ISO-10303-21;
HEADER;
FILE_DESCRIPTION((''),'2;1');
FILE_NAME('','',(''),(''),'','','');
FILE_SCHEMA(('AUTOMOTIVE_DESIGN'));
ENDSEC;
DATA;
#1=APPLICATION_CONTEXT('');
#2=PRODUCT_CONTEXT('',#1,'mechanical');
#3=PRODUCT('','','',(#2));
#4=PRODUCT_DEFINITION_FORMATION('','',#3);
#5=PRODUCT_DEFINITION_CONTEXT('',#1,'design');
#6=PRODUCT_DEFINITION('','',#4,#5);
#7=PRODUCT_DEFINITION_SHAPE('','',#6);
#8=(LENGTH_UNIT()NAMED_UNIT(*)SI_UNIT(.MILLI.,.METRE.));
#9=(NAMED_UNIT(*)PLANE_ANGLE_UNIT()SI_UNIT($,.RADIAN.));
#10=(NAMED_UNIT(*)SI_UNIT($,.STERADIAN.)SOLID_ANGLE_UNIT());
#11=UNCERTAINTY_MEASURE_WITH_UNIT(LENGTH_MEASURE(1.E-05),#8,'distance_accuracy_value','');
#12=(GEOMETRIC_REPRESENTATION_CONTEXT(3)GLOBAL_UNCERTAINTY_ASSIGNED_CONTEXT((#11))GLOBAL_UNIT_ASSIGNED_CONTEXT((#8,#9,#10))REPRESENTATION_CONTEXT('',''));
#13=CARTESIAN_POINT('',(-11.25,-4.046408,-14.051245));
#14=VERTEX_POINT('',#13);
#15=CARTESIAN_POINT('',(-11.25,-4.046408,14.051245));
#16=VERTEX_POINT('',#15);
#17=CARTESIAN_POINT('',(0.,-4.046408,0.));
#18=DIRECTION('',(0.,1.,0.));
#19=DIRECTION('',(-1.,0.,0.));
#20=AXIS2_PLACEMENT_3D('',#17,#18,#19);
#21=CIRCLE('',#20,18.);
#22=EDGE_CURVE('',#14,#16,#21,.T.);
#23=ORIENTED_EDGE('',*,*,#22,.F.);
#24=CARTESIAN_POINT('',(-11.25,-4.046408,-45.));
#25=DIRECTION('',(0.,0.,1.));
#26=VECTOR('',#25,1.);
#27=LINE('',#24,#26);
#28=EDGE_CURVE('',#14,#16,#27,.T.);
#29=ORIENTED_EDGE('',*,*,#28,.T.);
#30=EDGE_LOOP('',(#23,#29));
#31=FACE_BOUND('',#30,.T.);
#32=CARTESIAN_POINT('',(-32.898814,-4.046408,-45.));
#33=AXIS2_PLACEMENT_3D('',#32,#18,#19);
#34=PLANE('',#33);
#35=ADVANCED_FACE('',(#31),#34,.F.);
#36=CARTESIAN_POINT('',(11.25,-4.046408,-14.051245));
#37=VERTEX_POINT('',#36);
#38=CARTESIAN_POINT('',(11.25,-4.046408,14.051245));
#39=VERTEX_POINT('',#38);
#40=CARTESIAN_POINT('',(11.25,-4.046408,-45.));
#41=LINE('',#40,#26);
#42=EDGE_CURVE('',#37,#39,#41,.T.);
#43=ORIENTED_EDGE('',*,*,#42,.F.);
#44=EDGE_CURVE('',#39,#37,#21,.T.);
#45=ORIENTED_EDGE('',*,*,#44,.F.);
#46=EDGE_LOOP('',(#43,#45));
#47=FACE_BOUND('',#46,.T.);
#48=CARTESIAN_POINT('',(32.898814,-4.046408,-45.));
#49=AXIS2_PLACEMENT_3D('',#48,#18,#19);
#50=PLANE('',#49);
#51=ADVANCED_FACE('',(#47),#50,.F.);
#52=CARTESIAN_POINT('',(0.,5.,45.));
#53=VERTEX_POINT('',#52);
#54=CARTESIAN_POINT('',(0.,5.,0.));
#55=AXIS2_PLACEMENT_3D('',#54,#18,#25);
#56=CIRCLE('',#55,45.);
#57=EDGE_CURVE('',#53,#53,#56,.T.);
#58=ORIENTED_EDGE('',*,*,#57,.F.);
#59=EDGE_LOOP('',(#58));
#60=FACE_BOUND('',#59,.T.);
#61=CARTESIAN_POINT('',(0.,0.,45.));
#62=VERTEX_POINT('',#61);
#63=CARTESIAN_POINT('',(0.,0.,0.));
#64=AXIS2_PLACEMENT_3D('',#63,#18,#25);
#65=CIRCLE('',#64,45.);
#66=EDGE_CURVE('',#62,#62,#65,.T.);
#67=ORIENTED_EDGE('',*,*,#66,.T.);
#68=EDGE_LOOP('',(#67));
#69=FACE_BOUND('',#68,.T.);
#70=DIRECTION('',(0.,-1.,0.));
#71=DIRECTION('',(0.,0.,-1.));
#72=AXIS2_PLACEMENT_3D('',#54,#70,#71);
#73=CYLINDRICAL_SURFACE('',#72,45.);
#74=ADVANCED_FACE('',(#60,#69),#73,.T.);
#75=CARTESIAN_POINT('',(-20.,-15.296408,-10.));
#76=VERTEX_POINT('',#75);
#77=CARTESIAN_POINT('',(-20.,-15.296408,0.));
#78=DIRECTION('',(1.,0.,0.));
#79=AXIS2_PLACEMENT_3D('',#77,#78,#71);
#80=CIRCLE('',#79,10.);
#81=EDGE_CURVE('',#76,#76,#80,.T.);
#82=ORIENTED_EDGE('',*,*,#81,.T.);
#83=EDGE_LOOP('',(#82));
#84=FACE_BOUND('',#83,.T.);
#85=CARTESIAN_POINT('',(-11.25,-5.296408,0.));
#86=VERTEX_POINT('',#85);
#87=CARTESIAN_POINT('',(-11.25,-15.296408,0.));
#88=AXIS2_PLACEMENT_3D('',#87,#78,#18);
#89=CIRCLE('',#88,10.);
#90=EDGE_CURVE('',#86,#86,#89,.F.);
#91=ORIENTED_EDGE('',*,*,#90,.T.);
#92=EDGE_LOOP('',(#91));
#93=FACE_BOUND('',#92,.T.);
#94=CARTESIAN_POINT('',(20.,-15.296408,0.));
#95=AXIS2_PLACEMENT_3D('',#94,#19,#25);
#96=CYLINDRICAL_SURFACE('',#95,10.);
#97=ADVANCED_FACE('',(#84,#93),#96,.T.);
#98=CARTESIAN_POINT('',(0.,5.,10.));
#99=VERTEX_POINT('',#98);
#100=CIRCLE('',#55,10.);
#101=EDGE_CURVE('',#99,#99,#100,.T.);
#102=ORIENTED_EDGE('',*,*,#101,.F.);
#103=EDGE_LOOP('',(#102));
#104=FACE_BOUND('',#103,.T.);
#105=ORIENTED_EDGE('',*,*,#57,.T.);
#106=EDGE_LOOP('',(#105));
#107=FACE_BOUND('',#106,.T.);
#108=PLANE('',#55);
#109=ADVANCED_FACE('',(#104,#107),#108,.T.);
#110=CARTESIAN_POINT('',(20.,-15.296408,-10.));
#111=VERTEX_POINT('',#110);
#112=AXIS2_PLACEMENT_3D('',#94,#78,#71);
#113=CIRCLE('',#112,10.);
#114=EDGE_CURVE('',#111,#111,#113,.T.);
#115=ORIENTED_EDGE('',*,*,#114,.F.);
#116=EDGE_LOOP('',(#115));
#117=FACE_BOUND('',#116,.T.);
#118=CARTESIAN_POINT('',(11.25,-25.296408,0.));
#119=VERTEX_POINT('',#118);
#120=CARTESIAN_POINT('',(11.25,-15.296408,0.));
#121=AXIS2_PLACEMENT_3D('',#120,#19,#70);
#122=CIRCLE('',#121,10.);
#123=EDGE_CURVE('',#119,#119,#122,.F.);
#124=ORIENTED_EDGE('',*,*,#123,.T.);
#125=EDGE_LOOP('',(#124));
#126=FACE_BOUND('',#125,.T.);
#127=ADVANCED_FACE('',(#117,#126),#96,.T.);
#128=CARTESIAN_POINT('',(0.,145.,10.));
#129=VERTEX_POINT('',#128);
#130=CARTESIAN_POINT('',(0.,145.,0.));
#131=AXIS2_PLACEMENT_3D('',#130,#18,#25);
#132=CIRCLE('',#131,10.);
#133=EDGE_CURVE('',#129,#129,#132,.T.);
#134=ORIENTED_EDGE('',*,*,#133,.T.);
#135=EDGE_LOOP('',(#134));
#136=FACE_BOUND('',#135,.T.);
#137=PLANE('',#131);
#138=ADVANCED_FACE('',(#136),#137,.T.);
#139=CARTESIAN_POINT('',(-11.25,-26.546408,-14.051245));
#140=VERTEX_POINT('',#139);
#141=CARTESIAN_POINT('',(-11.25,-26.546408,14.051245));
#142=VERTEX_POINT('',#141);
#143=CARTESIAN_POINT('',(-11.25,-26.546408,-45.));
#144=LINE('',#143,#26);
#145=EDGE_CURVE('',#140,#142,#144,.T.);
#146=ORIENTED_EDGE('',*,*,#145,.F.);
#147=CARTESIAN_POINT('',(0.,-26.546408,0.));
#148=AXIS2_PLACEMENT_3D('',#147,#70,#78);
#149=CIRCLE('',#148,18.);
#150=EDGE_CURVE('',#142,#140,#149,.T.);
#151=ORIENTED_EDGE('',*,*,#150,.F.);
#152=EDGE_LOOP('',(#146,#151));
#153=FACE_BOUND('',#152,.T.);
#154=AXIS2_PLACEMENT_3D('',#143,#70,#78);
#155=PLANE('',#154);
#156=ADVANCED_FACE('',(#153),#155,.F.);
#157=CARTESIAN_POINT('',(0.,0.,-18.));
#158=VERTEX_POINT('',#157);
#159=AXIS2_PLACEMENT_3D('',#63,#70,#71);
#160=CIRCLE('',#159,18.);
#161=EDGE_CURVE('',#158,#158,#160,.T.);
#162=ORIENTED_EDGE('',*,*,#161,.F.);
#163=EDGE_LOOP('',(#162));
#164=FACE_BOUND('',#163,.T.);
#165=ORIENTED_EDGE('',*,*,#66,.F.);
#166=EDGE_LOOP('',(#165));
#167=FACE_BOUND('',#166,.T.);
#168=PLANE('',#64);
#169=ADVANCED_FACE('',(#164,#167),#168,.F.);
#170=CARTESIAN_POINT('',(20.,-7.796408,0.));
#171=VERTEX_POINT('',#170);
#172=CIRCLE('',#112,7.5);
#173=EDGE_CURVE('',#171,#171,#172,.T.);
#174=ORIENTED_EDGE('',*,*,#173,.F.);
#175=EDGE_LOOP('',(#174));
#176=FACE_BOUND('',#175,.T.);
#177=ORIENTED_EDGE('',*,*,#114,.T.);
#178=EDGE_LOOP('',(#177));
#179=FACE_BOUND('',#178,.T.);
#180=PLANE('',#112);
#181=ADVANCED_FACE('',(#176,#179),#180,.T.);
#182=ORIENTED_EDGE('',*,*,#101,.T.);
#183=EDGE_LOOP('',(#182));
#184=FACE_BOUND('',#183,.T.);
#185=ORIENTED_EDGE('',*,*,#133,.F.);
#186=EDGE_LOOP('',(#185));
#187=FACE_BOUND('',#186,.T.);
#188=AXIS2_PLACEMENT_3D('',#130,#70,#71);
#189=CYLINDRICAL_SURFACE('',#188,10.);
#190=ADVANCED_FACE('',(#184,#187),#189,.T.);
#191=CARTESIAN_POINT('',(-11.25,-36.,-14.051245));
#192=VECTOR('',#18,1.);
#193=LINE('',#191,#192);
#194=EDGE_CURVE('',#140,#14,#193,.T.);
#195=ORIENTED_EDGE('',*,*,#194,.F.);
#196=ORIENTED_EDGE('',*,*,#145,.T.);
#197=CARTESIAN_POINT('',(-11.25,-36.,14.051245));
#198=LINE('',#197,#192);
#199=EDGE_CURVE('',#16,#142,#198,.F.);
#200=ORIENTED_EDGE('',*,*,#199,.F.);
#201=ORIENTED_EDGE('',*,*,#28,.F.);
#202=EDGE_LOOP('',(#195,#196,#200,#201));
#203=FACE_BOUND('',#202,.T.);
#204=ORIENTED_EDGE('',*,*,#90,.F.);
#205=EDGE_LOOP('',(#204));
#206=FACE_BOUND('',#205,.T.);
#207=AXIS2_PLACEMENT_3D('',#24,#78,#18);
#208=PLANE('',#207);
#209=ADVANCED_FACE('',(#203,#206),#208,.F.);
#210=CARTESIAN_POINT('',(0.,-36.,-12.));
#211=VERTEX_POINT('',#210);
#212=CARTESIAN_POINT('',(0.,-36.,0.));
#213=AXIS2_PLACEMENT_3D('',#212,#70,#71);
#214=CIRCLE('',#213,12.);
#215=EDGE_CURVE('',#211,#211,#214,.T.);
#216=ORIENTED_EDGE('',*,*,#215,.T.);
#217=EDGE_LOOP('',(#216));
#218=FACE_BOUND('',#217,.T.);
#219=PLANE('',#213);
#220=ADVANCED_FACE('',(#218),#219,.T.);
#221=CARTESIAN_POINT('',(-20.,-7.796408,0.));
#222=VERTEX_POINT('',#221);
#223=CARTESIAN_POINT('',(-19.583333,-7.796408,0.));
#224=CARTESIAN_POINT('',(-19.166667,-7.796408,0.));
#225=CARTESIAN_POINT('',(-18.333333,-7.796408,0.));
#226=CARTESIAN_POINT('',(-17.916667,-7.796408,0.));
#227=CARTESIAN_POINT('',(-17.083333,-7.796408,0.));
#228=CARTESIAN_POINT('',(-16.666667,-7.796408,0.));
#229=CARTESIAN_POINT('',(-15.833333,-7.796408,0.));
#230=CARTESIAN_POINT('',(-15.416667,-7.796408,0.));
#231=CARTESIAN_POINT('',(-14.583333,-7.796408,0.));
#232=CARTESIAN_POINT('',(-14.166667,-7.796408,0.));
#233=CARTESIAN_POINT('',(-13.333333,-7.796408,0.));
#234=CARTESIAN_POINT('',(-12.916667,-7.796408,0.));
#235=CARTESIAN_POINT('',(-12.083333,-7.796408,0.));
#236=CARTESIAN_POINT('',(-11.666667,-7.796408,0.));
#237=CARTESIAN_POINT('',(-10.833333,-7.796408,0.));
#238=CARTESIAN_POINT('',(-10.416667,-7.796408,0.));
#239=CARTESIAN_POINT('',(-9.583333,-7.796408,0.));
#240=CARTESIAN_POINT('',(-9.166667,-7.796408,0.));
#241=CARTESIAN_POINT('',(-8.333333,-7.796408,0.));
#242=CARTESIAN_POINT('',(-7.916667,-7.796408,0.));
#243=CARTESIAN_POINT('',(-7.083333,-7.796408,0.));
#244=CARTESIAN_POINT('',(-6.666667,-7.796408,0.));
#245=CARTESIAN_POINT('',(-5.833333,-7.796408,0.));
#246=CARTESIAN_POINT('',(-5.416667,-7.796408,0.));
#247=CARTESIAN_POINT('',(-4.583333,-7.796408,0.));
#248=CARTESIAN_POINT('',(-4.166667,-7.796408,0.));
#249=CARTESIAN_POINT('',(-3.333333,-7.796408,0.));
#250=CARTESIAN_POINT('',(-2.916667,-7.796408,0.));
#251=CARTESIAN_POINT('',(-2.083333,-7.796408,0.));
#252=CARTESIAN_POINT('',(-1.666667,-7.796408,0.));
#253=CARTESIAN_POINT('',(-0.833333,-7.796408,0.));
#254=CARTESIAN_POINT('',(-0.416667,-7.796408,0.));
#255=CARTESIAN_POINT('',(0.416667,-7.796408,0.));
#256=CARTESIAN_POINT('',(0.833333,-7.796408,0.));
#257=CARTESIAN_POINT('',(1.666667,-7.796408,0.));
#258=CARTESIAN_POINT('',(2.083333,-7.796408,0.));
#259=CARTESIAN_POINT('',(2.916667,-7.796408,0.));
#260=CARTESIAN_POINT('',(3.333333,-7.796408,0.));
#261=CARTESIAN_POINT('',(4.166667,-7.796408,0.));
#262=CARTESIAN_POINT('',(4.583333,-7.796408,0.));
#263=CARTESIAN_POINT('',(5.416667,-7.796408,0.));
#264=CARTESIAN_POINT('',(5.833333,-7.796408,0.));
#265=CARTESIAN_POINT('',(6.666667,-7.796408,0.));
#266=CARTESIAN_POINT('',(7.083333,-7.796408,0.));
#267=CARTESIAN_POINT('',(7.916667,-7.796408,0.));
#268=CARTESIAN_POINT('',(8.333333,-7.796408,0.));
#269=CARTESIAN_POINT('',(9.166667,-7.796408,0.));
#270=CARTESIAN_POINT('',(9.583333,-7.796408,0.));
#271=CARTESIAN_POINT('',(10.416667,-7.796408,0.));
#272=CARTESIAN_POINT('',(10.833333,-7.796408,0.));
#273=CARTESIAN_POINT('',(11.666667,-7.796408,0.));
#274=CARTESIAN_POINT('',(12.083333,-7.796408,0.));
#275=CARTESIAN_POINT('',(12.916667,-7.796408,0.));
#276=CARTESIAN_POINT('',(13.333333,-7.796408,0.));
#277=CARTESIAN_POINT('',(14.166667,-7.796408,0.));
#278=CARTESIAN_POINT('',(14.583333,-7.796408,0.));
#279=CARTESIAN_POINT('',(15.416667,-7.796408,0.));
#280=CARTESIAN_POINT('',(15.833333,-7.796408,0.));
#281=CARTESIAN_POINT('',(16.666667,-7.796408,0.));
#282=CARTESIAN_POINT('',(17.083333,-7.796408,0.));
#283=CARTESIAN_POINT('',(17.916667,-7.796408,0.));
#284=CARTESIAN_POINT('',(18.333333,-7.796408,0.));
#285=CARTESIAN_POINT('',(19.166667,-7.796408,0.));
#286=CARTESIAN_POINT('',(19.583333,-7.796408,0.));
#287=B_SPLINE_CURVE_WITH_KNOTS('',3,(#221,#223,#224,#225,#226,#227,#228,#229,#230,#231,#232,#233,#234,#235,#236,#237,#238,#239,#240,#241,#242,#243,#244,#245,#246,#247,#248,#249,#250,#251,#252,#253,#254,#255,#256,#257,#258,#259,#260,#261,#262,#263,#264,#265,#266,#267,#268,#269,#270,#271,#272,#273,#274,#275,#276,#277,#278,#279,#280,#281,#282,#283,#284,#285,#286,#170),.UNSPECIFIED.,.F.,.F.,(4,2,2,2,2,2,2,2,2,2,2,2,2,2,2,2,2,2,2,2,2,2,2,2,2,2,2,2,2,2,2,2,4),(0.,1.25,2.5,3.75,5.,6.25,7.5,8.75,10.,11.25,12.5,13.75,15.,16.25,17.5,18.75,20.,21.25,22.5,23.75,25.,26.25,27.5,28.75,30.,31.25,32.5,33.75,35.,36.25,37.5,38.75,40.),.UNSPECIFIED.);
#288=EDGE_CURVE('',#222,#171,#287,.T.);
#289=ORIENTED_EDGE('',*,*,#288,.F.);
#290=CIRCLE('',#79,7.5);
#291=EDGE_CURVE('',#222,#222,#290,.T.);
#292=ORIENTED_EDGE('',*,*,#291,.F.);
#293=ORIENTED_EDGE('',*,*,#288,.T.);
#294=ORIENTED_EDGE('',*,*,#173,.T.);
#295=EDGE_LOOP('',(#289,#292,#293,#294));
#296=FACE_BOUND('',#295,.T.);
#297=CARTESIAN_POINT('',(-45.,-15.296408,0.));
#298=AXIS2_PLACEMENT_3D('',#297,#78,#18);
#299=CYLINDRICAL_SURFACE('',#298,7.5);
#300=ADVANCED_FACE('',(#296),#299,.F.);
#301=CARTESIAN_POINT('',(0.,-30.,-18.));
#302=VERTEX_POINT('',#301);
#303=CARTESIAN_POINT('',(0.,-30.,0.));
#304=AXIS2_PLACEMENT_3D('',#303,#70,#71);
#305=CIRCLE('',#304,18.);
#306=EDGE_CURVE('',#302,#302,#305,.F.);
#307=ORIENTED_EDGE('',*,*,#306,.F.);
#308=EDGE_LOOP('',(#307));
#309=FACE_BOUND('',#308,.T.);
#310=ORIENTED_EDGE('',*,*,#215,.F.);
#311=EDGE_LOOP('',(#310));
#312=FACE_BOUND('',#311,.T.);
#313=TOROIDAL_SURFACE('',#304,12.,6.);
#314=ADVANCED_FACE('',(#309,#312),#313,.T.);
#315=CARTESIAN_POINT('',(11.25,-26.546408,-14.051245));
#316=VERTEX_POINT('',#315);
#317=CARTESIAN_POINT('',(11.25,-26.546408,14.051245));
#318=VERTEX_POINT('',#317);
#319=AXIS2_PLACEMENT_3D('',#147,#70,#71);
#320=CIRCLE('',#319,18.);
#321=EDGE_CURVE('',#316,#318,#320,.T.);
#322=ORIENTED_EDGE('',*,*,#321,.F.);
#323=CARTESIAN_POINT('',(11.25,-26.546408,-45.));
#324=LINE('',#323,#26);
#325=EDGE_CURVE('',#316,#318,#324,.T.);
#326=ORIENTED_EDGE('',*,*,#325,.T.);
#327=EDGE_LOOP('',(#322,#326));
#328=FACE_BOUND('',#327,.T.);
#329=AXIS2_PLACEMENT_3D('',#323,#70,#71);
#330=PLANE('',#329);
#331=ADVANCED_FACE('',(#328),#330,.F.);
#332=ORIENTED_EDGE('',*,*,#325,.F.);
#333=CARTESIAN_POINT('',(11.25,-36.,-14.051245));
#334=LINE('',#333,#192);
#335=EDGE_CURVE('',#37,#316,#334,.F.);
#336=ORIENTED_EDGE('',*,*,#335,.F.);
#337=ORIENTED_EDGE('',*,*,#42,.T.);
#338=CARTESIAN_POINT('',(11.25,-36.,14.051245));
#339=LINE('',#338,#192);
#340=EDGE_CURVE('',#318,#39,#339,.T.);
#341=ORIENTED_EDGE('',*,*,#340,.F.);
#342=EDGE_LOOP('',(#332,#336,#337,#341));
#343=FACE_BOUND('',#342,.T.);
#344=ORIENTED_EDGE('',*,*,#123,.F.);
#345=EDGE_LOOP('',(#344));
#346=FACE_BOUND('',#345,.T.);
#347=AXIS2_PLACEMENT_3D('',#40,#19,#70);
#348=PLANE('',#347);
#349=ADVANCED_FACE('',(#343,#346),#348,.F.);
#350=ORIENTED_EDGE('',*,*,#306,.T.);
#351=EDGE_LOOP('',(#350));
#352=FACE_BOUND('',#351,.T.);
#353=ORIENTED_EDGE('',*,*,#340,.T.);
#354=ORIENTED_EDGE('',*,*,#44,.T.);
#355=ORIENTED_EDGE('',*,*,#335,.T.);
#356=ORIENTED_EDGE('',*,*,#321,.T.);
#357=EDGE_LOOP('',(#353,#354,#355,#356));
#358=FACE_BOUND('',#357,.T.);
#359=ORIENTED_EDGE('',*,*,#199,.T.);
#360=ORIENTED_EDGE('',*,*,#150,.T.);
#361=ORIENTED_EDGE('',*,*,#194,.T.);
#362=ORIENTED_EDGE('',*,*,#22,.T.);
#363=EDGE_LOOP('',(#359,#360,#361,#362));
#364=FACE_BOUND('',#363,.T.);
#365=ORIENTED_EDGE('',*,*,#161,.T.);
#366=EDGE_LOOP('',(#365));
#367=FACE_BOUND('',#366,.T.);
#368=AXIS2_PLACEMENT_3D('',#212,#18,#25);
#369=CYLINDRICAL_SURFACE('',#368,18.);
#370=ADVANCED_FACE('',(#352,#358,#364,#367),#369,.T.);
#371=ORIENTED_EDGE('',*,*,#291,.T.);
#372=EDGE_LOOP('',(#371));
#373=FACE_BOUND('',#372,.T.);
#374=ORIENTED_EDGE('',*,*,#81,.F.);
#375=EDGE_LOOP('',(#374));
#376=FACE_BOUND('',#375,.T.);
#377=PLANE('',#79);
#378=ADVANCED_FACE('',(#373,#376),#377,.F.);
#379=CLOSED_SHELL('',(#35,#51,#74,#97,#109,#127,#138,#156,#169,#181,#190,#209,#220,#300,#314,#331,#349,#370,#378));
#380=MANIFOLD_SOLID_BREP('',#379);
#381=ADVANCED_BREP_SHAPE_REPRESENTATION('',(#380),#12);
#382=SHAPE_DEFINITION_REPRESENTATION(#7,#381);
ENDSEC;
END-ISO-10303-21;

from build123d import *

# Parameters (mm, degrees)
SKETCH1_R               = 45
BOSS_EXTRUDE1_DEPTH     = 5
SKETCH2_R               = 10
BOSS_EXTRUDE2_DEPTH     = 140
SKETCH3_R               = 18
BOSS_EXTRUDE3_DEPTH     = 36
FILLET1_R               = 6
CUT_EXTRUDE1_DEPTH      = 159.350876221
CUT_EXTRUDE1_DEPTH_BACK = 159.350876221
SKETCH4_W               = 21.648814377
SKETCH4_H               = 22.5
SKETCH5_R               = 7.5
CUT_EXTRUDE2_DEPTH      = 162.907573943
SKETCH7_R               = 10
SKETCH7_R_2             = 7.5
BOSS_EXTRUDE4_DEPTH     = 20


with BuildPart() as part:
    # Sketch1 → Boss-Extrude1 (new body)
    with BuildSketch(Plane(origin=(0, 0, 0), x_dir=(1, 0, 0), z_dir=(0, 1, 0))):
        with Locations(Location((0, 0, 0), (0, 0, 270))):
            Circle(SKETCH1_R)
    extrude(amount=BOSS_EXTRUDE1_DEPTH)

    # Sketch2 → Boss-Extrude2 (add)
    with BuildSketch(Plane(origin=(0, 5, 0), x_dir=(1, 0, 0), z_dir=(0, 1, 0))):
        with Locations(Location((0, 0, 0), (0, 0, 270))):
            Circle(SKETCH2_R)
    extrude(amount=BOSS_EXTRUDE2_DEPTH)

    # Sketch3 → Boss-Extrude3 (add)
    with BuildSketch(Plane.XZ):
        with Locations(Location((0, 0, 0), (0, 0, 270))):
            Circle(SKETCH3_R)
    extrude(amount=BOSS_EXTRUDE3_DEPTH)

    # Fillet1
    fillet1_edges = [part.edges().sort_by_distance(p)[0] for p in [
        (0, -36, 18),
    ]]
    fillet(fillet1_edges, radius=FILLET1_R)

    # Sketch4 → Cut-Extrude1 (cut, two sides: drawn at the far end of the back side and taken through both)
    with BuildSketch(Plane.XY.offset(-CUT_EXTRUDE1_DEPTH_BACK)):
        with Locations((22.074407189, -15.296408269)):
            Rectangle(SKETCH4_W, SKETCH4_H)
        with Locations((-22.074407189, -15.296408269)):
            Rectangle(SKETCH4_W, SKETCH4_H)
    extrude(amount=CUT_EXTRUDE1_DEPTH + CUT_EXTRUDE1_DEPTH_BACK, mode=Mode.SUBTRACT)

    # Sketch5 → Cut-Extrude2 (cut, through all)
    with BuildSketch(Plane(origin=(11.25, 0, 0), x_dir=(0, 0, -1), z_dir=(1, 0, 0))):
        with Locations(Location((0, -15.296408269, 0), (0, 0, 90))):
            Circle(SKETCH5_R)
    extrude(amount=-CUT_EXTRUDE2_DEPTH, mode=Mode.SUBTRACT)

    # Sketch7 → Boss-Extrude4 (add, symmetric)
    with BuildSketch(Plane(origin=(0, 0, 0), x_dir=(0, 0, -1), z_dir=(1, 0, 0))):
        with Locations(Location((0, -15.296408269, 0), (0, 0, 90))):
            Circle(SKETCH7_R)
        with Locations(Location((0, -15.296408269, 0), (0, 0, 90))):
            Circle(SKETCH7_R_2, mode=Mode.SUBTRACT)
    extrude(amount=BOSS_EXTRUDE4_DEPTH, both=True)


solid = part.part
